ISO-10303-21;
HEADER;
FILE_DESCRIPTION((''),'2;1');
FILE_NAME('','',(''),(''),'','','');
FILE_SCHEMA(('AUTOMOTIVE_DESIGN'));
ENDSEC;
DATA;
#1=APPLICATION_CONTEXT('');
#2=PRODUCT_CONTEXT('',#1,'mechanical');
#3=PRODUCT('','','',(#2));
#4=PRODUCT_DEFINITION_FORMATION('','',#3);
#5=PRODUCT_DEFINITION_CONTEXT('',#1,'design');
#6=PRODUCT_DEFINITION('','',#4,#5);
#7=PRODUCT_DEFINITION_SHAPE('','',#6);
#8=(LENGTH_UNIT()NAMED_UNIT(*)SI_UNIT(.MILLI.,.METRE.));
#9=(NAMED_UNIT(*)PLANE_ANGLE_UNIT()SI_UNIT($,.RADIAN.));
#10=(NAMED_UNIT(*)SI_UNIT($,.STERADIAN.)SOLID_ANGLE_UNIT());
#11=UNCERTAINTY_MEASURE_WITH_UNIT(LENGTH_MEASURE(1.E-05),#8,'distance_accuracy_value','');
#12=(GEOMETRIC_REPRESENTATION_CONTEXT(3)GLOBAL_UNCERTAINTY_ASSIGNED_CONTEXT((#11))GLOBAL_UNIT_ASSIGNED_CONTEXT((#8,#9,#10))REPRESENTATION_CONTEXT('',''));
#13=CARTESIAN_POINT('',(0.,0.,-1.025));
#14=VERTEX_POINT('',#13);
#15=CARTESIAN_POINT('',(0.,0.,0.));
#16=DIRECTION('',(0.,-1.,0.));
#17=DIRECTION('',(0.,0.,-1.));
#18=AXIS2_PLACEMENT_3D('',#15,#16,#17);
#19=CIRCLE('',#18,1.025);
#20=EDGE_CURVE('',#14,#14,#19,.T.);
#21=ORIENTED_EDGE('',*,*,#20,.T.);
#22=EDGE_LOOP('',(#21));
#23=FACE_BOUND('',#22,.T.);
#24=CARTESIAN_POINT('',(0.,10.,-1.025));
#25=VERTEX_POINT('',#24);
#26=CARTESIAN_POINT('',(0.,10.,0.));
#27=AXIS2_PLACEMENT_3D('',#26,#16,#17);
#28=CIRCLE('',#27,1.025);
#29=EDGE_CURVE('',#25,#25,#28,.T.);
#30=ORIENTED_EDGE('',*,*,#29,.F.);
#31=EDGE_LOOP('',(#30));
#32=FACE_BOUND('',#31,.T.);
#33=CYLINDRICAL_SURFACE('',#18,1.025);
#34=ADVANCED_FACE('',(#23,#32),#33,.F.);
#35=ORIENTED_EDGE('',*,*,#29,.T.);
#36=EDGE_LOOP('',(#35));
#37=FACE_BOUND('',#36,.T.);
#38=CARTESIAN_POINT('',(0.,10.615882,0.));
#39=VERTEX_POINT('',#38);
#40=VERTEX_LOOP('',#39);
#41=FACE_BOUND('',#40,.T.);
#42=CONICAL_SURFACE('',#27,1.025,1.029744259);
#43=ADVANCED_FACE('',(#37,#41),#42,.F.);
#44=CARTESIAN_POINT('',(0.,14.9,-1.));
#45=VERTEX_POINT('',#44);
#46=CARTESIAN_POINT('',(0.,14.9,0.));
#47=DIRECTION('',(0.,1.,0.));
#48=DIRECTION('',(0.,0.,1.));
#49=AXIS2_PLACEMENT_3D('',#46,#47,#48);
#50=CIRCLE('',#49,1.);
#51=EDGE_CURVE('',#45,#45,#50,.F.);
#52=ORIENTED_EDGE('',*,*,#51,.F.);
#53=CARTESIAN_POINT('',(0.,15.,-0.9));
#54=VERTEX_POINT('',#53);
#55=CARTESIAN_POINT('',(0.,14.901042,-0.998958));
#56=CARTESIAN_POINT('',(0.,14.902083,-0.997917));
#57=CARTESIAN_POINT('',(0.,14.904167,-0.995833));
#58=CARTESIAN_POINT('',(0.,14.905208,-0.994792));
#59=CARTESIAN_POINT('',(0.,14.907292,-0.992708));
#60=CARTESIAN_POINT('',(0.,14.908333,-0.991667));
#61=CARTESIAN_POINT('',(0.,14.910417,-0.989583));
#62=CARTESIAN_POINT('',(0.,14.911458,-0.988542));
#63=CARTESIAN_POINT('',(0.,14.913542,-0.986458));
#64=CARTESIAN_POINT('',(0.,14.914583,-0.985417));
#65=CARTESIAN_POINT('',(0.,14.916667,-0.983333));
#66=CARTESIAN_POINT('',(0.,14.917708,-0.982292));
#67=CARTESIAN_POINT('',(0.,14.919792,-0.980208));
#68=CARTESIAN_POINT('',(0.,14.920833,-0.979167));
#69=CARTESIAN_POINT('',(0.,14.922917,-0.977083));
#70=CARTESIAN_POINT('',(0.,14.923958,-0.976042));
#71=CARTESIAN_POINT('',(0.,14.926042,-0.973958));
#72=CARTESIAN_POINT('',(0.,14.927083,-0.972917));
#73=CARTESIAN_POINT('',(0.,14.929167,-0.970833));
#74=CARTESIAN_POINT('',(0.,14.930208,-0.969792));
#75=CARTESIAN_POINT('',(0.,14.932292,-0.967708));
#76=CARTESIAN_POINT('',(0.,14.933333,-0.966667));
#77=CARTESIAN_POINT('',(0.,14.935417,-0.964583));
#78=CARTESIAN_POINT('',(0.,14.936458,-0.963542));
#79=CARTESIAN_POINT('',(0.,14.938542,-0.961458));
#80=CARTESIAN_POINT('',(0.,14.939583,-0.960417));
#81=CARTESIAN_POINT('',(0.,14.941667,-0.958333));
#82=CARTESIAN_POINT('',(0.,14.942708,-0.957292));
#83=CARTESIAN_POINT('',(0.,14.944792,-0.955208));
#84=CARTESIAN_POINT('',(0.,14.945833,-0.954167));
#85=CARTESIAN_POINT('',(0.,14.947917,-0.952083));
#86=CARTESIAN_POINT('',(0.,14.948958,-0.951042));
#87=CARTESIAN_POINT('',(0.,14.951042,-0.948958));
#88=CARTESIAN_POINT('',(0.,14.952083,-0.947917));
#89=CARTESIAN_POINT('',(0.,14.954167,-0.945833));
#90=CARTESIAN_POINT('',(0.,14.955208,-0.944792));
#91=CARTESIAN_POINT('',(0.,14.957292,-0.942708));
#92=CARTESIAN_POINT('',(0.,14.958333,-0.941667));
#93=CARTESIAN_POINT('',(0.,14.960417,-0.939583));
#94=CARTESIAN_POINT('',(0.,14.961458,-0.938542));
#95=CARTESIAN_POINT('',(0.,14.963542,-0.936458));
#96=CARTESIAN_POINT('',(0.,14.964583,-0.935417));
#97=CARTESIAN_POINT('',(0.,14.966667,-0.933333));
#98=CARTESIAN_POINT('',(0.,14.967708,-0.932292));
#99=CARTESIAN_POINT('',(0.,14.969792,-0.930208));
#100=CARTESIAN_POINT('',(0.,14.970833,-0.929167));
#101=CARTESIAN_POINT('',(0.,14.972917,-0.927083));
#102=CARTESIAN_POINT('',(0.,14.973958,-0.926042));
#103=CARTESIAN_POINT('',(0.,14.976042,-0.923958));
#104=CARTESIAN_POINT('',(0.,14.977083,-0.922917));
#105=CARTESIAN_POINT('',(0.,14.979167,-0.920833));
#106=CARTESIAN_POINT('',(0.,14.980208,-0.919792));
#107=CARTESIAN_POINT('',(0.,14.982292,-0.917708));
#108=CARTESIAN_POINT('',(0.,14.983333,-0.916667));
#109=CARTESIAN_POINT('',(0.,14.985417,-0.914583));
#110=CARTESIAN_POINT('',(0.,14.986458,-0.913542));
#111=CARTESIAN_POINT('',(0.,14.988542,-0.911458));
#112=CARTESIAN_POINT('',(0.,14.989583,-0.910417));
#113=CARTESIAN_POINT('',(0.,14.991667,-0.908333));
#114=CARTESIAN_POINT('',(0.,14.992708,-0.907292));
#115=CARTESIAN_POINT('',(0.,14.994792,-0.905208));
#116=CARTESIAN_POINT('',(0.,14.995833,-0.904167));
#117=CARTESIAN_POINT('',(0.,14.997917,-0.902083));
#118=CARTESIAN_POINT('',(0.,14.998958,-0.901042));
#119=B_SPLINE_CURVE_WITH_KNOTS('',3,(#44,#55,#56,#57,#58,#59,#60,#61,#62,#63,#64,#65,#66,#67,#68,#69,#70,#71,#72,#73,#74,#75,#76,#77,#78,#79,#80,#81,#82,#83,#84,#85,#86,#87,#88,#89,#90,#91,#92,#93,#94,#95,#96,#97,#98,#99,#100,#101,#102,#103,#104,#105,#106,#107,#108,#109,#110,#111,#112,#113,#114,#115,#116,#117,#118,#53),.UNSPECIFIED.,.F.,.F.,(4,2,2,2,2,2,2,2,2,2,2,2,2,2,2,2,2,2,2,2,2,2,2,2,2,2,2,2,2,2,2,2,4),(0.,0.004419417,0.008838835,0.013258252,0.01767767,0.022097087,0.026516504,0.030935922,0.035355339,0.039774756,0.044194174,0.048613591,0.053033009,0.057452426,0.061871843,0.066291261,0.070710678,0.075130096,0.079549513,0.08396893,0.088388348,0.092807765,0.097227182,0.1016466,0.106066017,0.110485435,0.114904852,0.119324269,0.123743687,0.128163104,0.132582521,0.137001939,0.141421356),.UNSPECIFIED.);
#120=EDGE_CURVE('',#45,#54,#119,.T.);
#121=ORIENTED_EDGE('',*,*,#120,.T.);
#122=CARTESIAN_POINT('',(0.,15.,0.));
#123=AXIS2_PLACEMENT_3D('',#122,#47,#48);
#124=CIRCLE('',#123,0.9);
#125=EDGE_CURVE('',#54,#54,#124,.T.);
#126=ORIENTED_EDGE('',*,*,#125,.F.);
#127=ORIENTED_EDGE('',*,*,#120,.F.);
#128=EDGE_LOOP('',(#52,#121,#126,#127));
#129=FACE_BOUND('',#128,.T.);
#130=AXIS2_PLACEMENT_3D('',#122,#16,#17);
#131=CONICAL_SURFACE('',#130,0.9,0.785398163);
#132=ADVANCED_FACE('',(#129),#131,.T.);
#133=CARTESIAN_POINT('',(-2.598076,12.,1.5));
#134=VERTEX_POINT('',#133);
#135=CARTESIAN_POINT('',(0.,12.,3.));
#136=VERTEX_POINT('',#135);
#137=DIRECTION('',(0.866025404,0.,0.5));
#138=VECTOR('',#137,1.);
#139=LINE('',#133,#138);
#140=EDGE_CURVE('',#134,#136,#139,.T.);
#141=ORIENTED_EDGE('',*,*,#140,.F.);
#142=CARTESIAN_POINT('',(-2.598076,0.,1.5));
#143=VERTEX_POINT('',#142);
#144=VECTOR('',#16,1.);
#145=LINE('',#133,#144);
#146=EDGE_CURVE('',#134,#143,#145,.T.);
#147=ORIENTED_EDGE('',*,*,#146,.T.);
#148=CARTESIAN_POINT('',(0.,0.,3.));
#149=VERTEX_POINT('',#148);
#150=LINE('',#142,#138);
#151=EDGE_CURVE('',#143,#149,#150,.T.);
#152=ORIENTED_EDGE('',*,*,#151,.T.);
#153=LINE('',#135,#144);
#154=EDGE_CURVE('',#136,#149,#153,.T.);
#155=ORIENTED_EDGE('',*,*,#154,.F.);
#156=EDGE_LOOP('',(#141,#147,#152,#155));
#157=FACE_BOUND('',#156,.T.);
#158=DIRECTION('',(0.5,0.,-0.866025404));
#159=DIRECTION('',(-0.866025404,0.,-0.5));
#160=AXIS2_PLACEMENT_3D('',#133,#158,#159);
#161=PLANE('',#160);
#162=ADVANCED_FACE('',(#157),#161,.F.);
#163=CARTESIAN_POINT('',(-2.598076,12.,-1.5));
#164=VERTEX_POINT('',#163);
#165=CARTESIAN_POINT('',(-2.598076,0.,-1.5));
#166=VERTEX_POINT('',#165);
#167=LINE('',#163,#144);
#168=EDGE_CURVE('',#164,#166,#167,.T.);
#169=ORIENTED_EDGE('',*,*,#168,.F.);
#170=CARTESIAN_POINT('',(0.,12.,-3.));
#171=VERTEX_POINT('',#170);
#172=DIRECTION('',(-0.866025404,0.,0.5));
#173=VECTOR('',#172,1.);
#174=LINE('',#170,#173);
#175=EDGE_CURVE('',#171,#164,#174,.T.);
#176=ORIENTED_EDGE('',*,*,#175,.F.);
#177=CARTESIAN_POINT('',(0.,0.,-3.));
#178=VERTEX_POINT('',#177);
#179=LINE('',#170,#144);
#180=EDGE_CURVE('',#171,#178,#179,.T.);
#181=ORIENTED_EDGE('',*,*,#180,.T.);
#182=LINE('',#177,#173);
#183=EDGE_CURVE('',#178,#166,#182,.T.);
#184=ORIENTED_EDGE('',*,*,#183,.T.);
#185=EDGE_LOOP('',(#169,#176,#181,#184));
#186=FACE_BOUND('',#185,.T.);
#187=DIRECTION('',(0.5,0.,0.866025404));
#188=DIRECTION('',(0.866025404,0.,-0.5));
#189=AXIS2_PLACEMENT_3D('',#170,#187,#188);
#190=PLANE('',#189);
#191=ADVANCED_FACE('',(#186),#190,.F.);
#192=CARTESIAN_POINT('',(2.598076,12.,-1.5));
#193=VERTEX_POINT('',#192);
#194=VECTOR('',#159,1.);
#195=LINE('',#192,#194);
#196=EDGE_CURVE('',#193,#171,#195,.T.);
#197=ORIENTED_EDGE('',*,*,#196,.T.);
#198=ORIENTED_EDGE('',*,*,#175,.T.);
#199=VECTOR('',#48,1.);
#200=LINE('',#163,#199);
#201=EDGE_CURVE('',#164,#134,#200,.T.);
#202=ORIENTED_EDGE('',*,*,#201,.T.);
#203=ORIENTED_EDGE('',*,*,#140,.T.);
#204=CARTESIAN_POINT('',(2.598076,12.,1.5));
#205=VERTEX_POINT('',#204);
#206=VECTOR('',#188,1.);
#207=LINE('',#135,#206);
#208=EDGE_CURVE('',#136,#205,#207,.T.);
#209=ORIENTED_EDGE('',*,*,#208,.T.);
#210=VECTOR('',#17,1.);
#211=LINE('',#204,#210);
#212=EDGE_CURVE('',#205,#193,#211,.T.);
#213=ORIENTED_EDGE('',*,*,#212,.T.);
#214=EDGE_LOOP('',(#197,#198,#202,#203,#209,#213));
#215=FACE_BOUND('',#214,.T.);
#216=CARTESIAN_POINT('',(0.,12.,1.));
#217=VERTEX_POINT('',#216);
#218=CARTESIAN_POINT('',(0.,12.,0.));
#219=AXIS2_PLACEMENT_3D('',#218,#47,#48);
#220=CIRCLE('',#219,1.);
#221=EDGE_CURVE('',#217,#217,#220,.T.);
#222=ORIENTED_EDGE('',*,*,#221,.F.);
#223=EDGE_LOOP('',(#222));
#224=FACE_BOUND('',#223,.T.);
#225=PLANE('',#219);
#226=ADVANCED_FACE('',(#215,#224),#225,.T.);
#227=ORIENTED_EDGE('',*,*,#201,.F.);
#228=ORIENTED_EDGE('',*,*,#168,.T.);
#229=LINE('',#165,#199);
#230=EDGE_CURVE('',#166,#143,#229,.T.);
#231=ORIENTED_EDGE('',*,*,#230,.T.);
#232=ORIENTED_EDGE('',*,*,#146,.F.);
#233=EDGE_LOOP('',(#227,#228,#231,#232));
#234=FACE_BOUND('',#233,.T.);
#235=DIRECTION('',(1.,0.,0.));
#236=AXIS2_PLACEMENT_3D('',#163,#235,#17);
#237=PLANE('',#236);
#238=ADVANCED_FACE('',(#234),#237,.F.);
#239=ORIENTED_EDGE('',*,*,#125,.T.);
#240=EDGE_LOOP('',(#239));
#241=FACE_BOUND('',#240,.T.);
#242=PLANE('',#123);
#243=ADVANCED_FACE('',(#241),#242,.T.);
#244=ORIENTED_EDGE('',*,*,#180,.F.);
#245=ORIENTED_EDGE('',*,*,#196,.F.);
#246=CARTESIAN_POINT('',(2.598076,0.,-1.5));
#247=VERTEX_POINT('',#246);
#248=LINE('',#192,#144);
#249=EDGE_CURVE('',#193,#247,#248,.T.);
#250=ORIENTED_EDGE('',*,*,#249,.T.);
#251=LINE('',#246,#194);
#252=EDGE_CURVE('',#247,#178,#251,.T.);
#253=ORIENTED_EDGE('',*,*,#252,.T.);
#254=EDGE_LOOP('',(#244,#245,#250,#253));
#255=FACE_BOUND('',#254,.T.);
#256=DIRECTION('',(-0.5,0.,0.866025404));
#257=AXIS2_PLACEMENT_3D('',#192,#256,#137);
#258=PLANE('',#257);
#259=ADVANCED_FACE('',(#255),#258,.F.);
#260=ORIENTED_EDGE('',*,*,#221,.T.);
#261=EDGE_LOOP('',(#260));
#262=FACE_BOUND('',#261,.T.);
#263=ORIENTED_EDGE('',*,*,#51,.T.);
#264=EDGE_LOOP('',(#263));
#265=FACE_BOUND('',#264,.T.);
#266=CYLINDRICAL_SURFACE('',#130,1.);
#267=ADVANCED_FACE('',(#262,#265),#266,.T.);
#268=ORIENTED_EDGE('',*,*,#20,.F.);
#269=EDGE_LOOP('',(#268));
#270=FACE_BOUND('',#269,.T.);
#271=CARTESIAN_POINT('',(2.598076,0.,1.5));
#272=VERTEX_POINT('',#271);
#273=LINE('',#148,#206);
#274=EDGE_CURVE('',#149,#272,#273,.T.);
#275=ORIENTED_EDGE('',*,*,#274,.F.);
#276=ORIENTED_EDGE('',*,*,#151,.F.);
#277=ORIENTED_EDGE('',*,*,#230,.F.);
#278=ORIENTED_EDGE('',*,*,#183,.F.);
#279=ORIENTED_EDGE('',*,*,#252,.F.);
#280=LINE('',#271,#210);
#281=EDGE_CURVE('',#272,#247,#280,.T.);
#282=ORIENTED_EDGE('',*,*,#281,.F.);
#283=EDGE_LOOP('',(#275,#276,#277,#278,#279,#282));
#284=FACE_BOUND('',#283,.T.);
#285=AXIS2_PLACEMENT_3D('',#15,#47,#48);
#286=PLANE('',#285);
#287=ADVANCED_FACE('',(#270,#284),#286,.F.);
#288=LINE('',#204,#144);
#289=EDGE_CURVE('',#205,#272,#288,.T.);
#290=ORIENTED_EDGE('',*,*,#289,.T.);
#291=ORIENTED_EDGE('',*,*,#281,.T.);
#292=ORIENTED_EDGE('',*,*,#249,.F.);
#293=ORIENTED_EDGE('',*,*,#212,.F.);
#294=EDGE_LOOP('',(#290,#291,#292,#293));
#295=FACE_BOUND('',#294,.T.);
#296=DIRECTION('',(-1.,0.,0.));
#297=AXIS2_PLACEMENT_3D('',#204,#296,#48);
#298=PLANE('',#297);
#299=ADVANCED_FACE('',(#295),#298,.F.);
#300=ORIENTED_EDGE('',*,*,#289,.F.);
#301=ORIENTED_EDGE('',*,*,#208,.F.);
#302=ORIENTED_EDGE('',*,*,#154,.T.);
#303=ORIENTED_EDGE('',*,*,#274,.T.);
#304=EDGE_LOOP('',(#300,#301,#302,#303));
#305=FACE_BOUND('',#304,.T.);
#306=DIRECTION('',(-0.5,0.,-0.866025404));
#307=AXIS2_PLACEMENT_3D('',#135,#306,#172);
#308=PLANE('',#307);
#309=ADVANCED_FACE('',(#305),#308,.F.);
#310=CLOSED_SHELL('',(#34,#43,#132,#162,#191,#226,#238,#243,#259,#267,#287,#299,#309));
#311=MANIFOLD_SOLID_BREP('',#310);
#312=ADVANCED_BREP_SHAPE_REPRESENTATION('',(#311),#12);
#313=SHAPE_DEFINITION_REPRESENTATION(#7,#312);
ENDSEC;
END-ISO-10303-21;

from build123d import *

# Parameters (mm, degrees)
EXTRUDE_1_DEPTH  = 12
SKETCH_2_R       = 1
EXTRUDE_2_DEPTH  = 3
M2_5X0_451_D     = 2.05
M2_5X0_451_DEPTH = 10
M2_5X0_451_TIP   = 0.615882135
CHAMFER_1_SIZE   = 0.1


with BuildPart() as part:
    # Эскиз1 → Бобышка-Вытянуть1 (new body)
    with BuildSketch(Plane(origin=(0, 0, 0), x_dir=(1, 0, 0), z_dir=(0, 1, 0))):
        Polygon((0, 3), (-2.598076211, 1.5), (-2.598076211, -1.5), (0, -3), (2.598076211, -1.5), (2.598076211, 1.5), align=None)
    extrude(amount=EXTRUDE_1_DEPTH)

    # Эскиз2 → Бобышка-Вытянуть2 (add)
    with BuildSketch(Plane(origin=(0, 12, 0), x_dir=(1, 0, 0), z_dir=(0, 1, 0))):
        with Locations(Location((0, 0, 0), (0, 0, 270))):
            Circle(SKETCH_2_R)
    extrude(amount=EXTRUDE_2_DEPTH)

    # Отверстие обработанное метчиком M2.5x0.451
    with Locations(Plane(origin=(0, 0, 0), x_dir=(0, 0, -1), z_dir=(0, -1, 0))):
        with Locations((0, 0)):
            Hole(M2_5X0_451_D / 2, depth=M2_5X0_451_DEPTH)
            with Locations((0, 0, -(M2_5X0_451_DEPTH + M2_5X0_451_TIP / 2))):  # 118° drill point
                Cone(0, M2_5X0_451_D / 2, M2_5X0_451_TIP, mode=Mode.SUBTRACT)

    # Фаска1
    chamfer_1_edges = [part.edges().sort_by_distance(p)[0] for p in [
        (0, 15, -1),
    ]]
    chamfer(chamfer_1_edges, length=CHAMFER_1_SIZE)


solid = part.part
